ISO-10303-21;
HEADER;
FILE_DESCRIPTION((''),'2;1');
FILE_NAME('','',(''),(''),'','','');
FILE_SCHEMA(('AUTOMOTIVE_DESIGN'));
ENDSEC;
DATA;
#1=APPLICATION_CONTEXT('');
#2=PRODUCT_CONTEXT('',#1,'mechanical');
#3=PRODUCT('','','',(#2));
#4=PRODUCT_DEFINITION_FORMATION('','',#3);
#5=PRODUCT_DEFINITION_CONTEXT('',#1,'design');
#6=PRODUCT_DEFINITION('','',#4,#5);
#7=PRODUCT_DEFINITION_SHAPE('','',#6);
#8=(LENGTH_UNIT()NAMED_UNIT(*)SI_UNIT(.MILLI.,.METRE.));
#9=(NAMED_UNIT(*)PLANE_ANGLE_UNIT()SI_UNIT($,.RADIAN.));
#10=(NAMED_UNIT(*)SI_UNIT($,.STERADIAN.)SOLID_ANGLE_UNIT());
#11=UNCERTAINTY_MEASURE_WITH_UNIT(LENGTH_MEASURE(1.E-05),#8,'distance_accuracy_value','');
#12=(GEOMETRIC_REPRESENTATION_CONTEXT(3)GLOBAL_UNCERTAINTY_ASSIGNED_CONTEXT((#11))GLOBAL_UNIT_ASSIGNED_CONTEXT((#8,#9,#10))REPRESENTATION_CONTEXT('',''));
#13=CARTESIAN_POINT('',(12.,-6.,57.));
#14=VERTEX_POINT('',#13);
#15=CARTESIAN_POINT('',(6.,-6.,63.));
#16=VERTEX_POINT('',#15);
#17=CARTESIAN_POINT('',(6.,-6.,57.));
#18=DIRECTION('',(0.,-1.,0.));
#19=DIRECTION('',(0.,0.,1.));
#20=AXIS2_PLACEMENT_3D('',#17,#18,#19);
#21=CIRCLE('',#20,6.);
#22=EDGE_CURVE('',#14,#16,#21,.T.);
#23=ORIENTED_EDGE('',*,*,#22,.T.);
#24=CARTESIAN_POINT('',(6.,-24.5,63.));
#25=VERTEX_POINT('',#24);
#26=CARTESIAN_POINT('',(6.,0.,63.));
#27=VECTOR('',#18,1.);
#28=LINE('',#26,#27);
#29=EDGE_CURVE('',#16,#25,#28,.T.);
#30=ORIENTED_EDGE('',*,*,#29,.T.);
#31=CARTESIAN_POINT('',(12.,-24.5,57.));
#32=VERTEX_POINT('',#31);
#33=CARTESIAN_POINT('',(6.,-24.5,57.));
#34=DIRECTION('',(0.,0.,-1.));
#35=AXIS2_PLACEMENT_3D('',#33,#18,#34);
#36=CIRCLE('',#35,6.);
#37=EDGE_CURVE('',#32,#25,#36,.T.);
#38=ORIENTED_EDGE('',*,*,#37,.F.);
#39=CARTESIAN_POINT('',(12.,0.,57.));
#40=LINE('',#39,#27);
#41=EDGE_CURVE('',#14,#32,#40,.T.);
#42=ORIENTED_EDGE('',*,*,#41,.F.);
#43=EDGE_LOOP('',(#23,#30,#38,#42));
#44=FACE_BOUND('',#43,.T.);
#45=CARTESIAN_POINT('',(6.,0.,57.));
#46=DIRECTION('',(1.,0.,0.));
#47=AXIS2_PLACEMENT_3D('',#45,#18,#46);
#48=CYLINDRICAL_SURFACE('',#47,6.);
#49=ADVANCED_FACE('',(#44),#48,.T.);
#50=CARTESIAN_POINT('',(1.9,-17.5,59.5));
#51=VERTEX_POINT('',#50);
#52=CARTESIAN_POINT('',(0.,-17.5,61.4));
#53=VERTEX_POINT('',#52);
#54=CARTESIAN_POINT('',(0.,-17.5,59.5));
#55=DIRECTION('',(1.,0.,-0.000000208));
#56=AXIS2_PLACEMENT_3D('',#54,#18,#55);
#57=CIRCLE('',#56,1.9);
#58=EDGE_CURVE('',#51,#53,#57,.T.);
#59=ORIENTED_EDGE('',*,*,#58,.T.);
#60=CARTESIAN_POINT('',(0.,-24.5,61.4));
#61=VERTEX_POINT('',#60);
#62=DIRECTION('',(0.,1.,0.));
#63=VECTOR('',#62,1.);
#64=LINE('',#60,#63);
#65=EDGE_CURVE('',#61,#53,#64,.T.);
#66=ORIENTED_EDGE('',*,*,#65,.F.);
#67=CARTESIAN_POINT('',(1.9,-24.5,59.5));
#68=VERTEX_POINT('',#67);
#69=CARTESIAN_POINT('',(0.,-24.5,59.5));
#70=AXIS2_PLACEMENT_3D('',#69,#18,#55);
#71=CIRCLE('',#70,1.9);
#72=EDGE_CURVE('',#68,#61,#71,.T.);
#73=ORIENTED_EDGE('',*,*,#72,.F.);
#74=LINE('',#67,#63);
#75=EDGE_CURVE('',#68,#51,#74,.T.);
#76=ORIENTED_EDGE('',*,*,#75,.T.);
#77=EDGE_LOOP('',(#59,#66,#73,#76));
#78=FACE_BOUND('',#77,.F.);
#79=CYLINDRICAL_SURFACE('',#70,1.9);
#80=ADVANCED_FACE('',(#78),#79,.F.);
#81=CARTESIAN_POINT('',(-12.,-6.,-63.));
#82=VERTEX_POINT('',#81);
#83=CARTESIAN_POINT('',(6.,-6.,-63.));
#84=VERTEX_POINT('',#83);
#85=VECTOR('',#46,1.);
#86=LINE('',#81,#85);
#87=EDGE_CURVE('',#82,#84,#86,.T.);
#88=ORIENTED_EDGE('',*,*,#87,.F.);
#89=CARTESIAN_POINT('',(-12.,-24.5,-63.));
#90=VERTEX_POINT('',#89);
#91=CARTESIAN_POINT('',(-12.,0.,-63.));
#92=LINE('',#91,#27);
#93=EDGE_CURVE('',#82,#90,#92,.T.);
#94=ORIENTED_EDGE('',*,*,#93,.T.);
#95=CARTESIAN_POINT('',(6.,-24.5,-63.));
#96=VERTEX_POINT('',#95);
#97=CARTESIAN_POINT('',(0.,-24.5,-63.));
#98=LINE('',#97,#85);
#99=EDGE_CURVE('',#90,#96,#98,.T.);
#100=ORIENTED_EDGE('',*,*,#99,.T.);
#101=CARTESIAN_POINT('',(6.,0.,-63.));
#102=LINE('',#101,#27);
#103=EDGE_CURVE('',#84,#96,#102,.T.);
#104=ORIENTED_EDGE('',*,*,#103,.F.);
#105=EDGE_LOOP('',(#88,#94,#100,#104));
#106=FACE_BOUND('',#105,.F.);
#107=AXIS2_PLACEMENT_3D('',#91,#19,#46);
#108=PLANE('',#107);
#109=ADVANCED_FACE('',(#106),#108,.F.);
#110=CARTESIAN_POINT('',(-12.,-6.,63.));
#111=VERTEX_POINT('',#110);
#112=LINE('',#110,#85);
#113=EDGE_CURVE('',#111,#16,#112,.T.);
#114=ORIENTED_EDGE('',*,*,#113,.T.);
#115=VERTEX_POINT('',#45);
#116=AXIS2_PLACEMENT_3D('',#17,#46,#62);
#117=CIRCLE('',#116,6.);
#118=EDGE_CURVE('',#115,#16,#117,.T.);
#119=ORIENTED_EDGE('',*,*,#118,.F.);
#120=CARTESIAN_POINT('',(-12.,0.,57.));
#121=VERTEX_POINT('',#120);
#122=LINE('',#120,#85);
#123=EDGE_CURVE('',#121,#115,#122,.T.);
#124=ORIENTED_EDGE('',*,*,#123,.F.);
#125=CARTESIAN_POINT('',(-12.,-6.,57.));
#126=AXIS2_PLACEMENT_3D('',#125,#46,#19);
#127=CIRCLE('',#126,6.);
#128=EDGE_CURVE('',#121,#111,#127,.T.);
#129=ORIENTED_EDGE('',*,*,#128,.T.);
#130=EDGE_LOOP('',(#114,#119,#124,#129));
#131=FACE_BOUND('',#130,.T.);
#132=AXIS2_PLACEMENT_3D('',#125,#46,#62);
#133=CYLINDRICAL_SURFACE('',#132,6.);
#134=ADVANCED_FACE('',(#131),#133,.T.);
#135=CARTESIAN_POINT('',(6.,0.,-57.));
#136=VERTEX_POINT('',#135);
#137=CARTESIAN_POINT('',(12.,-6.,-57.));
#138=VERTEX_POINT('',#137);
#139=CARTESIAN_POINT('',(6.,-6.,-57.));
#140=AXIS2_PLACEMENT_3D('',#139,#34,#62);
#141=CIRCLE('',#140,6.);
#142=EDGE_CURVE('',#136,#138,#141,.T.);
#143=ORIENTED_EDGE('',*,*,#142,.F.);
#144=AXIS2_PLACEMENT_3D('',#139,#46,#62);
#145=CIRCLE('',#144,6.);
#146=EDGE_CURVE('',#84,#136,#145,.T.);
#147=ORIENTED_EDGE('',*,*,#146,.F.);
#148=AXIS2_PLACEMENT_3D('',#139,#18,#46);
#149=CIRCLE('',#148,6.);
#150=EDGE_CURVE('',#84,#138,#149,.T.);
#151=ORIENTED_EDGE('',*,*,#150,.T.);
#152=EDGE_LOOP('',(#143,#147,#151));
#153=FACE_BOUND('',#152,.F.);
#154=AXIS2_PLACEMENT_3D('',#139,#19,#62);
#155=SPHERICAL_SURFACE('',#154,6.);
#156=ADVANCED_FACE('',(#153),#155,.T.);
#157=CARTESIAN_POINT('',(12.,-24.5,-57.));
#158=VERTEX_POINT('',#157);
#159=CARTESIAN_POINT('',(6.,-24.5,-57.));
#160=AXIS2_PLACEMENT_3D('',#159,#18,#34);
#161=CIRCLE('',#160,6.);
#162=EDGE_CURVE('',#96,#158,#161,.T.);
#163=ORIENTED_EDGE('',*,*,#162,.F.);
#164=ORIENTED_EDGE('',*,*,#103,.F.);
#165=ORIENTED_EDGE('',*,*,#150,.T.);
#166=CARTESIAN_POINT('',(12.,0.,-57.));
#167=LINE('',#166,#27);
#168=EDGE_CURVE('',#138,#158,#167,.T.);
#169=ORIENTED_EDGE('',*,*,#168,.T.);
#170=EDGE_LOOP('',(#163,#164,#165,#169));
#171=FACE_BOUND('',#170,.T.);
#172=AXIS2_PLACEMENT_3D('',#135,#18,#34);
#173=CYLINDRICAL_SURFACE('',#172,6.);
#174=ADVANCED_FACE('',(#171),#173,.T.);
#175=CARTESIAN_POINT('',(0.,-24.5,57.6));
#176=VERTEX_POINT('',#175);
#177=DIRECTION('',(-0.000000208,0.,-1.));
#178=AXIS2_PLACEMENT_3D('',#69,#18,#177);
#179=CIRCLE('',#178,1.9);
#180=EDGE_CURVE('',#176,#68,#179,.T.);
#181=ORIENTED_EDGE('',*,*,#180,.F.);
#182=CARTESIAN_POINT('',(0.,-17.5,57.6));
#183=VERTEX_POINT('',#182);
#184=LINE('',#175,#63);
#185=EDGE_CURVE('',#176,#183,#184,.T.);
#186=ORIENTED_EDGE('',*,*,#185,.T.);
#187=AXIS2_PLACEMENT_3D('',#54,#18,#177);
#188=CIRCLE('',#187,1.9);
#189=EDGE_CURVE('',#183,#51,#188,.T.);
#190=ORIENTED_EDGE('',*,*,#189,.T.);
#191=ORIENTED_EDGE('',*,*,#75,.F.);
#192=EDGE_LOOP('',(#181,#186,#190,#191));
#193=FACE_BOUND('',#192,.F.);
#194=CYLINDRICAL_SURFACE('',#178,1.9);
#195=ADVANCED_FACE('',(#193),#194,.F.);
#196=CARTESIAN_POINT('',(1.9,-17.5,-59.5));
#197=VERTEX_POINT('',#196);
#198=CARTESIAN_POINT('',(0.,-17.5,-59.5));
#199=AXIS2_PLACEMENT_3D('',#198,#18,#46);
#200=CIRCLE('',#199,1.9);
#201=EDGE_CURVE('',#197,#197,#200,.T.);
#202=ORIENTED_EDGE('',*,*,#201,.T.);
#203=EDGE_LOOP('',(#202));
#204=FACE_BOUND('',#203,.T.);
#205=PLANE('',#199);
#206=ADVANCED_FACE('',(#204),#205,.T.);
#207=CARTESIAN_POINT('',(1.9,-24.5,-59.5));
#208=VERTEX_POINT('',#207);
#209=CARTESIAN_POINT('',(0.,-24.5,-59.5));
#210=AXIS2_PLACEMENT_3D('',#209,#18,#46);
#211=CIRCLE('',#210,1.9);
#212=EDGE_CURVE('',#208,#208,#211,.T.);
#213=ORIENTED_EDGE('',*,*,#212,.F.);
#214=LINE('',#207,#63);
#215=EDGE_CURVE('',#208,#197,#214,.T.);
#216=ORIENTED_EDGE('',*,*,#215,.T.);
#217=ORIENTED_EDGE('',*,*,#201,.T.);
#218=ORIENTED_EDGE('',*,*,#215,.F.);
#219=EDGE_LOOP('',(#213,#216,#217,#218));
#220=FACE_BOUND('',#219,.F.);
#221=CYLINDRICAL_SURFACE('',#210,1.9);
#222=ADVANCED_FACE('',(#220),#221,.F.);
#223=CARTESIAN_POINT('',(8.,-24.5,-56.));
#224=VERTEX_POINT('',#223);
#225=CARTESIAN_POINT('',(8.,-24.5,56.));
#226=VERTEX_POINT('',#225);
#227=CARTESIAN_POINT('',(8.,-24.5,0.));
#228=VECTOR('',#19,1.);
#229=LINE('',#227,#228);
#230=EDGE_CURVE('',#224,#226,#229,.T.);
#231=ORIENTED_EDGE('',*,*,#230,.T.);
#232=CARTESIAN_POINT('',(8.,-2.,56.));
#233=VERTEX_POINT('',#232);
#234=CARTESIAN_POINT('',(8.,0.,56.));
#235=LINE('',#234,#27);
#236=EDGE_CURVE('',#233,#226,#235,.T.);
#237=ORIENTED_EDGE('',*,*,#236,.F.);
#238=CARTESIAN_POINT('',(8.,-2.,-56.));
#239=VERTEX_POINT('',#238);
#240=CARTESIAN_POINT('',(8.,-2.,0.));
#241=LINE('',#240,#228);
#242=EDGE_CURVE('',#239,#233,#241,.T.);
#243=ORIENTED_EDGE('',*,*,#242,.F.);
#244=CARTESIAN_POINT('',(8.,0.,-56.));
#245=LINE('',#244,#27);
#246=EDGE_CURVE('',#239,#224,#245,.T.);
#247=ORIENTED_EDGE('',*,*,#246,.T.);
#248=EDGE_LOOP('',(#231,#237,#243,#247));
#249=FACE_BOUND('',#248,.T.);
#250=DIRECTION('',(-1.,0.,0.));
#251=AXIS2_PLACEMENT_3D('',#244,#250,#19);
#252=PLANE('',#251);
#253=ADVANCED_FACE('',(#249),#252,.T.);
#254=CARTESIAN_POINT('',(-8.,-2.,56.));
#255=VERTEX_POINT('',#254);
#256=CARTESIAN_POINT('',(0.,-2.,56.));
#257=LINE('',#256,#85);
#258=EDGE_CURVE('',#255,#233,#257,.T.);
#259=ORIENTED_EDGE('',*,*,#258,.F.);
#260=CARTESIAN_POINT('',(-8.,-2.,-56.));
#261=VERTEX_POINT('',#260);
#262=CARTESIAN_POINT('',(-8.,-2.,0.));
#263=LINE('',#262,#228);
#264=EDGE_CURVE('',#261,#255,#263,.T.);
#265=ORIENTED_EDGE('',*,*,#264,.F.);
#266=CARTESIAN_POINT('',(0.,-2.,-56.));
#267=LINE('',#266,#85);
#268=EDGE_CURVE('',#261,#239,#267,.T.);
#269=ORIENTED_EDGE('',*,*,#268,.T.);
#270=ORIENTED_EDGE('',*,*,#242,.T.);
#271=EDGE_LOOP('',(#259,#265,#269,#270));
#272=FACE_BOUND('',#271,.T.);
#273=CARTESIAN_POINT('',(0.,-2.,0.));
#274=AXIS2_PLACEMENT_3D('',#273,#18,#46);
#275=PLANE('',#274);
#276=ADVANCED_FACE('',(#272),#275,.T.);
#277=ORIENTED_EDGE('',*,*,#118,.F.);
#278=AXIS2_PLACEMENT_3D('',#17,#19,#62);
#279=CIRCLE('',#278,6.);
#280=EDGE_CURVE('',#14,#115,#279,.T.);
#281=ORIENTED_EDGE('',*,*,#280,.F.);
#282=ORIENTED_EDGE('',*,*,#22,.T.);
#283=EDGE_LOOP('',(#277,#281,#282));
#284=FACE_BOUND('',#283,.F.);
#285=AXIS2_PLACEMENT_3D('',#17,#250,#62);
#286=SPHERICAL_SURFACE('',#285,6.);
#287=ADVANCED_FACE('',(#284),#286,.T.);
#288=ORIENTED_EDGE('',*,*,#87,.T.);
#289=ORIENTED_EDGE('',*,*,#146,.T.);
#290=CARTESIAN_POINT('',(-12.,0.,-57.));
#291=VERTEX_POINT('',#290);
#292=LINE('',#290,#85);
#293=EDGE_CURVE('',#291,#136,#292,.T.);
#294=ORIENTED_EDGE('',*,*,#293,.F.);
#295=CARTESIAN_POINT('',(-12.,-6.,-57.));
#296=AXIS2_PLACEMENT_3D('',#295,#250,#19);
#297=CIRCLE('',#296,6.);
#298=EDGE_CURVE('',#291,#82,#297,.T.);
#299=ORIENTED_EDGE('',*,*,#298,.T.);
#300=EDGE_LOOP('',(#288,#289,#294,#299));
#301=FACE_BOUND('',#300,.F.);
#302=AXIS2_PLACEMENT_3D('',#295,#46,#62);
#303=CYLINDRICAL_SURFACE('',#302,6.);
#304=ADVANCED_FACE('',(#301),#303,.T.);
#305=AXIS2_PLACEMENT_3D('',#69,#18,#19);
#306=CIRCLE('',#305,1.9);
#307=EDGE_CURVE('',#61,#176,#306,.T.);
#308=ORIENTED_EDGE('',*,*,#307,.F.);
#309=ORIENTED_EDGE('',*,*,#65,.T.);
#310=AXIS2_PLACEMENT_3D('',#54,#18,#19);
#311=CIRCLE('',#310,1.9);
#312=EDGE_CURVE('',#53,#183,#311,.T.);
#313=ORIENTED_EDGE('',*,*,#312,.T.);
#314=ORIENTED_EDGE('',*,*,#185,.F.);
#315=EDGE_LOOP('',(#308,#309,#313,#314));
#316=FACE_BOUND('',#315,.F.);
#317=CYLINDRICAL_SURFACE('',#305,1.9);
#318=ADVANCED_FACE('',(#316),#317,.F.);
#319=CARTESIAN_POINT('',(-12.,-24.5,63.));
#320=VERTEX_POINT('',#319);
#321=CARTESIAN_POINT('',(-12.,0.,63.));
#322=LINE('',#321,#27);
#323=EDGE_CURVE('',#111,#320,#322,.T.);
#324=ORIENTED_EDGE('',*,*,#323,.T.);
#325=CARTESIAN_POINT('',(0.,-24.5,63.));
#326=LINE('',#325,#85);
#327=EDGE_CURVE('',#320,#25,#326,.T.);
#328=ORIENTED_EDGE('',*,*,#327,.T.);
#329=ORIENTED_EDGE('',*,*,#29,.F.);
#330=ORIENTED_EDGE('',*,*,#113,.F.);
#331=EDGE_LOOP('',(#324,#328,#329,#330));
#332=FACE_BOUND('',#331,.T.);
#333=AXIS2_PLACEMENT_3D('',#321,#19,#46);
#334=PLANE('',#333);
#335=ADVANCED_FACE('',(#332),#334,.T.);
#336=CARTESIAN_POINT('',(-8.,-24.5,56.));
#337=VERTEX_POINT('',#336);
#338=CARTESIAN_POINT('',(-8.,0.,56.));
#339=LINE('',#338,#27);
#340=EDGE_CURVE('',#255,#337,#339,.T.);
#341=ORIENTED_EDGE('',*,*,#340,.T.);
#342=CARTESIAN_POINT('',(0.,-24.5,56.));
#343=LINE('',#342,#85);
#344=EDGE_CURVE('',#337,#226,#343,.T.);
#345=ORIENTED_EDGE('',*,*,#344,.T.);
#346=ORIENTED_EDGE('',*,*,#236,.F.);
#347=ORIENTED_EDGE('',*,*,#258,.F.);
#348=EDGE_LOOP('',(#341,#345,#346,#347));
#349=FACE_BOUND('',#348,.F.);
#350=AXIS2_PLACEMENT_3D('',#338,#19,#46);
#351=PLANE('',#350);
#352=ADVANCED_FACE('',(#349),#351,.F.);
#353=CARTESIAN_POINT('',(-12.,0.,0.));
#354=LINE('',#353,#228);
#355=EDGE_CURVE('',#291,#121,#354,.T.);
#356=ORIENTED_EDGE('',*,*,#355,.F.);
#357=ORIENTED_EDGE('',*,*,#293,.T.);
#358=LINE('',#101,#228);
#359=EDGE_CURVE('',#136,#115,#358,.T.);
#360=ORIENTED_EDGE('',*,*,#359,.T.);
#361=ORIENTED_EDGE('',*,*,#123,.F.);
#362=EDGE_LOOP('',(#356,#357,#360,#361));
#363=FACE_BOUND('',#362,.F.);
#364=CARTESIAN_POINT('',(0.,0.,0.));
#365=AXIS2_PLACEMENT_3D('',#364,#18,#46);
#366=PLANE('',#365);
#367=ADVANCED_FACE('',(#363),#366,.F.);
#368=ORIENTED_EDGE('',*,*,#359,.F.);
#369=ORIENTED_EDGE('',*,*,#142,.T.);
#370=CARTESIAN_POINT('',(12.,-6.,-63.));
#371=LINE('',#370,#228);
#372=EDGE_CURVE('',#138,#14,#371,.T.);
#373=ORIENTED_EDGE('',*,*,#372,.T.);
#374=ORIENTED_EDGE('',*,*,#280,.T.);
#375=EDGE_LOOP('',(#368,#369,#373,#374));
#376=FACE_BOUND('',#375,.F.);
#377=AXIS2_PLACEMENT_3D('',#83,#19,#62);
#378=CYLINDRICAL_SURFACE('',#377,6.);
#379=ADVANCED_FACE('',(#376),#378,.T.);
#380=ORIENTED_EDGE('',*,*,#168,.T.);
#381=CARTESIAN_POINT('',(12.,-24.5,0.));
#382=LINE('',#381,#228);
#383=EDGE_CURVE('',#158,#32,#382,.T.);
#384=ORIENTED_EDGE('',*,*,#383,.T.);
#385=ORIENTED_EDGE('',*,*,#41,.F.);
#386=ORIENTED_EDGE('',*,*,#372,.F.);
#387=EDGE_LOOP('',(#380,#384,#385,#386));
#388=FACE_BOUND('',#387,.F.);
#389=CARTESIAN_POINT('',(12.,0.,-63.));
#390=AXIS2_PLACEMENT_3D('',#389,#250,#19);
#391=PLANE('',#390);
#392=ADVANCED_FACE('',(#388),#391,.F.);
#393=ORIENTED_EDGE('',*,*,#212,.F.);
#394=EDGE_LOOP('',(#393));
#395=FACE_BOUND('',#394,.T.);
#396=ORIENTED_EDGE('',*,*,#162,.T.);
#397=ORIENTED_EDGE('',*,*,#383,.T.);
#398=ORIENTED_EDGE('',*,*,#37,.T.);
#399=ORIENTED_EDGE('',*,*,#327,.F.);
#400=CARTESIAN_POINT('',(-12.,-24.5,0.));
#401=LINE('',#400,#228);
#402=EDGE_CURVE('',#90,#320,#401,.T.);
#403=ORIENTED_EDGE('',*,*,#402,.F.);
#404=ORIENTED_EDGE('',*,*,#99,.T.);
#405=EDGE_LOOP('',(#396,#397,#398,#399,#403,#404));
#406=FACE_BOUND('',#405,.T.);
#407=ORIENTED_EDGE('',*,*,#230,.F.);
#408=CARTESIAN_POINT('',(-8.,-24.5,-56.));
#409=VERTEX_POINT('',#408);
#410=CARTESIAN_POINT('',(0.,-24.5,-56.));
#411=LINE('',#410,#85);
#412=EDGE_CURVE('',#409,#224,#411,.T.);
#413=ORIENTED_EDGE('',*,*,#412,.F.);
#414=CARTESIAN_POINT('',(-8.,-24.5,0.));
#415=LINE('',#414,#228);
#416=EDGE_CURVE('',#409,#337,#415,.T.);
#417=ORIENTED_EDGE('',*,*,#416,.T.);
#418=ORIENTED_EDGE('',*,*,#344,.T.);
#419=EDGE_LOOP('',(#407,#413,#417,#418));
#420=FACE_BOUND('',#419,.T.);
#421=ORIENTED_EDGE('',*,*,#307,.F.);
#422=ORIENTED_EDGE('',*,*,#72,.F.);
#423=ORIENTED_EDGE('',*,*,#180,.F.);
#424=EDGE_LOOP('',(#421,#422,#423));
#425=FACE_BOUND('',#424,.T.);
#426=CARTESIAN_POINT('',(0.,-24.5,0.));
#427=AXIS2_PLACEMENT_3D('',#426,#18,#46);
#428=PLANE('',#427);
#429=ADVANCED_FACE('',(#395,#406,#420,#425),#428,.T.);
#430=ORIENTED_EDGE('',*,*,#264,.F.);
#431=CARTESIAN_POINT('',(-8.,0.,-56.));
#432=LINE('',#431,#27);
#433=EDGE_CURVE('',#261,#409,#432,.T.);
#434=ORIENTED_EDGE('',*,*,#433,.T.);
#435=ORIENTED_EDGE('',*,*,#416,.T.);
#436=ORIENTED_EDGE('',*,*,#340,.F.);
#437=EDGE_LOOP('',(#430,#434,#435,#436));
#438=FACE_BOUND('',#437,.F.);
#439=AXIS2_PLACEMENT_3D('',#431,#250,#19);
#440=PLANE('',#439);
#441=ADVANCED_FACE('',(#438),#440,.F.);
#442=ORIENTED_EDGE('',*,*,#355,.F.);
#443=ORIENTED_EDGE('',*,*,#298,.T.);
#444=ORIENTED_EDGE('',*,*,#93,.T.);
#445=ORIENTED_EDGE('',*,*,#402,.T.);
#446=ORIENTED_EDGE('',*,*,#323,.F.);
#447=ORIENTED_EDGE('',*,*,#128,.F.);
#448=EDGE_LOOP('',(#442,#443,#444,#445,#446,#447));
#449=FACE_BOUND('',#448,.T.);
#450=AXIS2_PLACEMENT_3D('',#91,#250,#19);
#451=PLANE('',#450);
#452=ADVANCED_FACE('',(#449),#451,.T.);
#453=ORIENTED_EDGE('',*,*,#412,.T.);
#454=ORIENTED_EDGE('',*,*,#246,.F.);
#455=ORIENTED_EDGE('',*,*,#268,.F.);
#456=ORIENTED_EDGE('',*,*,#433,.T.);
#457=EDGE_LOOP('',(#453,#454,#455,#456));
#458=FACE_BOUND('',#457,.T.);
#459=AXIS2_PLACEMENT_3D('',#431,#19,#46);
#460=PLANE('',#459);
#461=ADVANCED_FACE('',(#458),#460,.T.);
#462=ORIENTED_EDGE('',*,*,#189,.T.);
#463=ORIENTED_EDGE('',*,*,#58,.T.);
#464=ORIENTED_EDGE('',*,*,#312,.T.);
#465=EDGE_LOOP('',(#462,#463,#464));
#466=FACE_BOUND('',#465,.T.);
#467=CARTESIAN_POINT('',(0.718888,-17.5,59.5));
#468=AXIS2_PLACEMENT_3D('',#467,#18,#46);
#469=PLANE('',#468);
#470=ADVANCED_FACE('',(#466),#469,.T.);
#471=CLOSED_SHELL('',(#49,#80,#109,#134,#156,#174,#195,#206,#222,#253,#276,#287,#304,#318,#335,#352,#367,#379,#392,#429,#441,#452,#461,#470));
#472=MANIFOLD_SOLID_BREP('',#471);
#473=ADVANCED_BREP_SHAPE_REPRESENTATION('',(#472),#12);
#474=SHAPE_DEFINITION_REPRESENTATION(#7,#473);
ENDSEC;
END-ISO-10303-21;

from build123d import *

# Parameters (mm, degrees)
F0_W     = 24
F0_H     = 126
F0_W_2   = 16
F0_H_2   = 112
F1_DEPTH = 24.5
F2_DEPTH = 2
F3_R     = 1.9
F4_DEPTH = 7
F5_R     = 6


with BuildPart() as f1:
    # F0 (on Front) → F1 (new body)
    with BuildSketch(Plane.XZ):
        Rectangle(F0_W, F0_H)
        Rectangle(F0_W_2, F0_H_2, mode=Mode.SUBTRACT)
    extrude(amount=F1_DEPTH)

    # F0 (on Front) → F2 (join)
    with BuildSketch(Plane.XZ):
        Rectangle(F0_W_2, F0_H_2)
    extrude(amount=F2_DEPTH)

    # F3 (on face) → F4 (cut)
    with BuildSketch(Plane.XZ.offset(24.5)):
        with BuildLine():
            ThreePointArc((0, 57.6), (1.343503, 58.156497), (1.9, 59.5))
            ThreePointArc((1.9, 59.5), (1.343503, 60.843503), (0, 61.4))
            Line((0, 61.4), (0, 57.6))
        make_face()
        with BuildLine():
            Line((0, 57.6), (0, 61.4))
            ThreePointArc((0, 61.4), (-1.9, 59.5), (0, 57.6))
        make_face()
        with Locations((0, -59.5)):
            Circle(F3_R)
    extrude(amount=-F4_DEPTH, mode=Mode.SUBTRACT)

    # F5
    f5_edges = [f1.edges().sort_by_distance(p)[0] for p in [
        (0, 0, 63),
        (12, 0, 0),
        (0, 0, -63),
        (12, -12.25, -63),
        (12, -12.25, 63),
    ]]
    fillet(f5_edges, radius=F5_R)


solid = f1.part
